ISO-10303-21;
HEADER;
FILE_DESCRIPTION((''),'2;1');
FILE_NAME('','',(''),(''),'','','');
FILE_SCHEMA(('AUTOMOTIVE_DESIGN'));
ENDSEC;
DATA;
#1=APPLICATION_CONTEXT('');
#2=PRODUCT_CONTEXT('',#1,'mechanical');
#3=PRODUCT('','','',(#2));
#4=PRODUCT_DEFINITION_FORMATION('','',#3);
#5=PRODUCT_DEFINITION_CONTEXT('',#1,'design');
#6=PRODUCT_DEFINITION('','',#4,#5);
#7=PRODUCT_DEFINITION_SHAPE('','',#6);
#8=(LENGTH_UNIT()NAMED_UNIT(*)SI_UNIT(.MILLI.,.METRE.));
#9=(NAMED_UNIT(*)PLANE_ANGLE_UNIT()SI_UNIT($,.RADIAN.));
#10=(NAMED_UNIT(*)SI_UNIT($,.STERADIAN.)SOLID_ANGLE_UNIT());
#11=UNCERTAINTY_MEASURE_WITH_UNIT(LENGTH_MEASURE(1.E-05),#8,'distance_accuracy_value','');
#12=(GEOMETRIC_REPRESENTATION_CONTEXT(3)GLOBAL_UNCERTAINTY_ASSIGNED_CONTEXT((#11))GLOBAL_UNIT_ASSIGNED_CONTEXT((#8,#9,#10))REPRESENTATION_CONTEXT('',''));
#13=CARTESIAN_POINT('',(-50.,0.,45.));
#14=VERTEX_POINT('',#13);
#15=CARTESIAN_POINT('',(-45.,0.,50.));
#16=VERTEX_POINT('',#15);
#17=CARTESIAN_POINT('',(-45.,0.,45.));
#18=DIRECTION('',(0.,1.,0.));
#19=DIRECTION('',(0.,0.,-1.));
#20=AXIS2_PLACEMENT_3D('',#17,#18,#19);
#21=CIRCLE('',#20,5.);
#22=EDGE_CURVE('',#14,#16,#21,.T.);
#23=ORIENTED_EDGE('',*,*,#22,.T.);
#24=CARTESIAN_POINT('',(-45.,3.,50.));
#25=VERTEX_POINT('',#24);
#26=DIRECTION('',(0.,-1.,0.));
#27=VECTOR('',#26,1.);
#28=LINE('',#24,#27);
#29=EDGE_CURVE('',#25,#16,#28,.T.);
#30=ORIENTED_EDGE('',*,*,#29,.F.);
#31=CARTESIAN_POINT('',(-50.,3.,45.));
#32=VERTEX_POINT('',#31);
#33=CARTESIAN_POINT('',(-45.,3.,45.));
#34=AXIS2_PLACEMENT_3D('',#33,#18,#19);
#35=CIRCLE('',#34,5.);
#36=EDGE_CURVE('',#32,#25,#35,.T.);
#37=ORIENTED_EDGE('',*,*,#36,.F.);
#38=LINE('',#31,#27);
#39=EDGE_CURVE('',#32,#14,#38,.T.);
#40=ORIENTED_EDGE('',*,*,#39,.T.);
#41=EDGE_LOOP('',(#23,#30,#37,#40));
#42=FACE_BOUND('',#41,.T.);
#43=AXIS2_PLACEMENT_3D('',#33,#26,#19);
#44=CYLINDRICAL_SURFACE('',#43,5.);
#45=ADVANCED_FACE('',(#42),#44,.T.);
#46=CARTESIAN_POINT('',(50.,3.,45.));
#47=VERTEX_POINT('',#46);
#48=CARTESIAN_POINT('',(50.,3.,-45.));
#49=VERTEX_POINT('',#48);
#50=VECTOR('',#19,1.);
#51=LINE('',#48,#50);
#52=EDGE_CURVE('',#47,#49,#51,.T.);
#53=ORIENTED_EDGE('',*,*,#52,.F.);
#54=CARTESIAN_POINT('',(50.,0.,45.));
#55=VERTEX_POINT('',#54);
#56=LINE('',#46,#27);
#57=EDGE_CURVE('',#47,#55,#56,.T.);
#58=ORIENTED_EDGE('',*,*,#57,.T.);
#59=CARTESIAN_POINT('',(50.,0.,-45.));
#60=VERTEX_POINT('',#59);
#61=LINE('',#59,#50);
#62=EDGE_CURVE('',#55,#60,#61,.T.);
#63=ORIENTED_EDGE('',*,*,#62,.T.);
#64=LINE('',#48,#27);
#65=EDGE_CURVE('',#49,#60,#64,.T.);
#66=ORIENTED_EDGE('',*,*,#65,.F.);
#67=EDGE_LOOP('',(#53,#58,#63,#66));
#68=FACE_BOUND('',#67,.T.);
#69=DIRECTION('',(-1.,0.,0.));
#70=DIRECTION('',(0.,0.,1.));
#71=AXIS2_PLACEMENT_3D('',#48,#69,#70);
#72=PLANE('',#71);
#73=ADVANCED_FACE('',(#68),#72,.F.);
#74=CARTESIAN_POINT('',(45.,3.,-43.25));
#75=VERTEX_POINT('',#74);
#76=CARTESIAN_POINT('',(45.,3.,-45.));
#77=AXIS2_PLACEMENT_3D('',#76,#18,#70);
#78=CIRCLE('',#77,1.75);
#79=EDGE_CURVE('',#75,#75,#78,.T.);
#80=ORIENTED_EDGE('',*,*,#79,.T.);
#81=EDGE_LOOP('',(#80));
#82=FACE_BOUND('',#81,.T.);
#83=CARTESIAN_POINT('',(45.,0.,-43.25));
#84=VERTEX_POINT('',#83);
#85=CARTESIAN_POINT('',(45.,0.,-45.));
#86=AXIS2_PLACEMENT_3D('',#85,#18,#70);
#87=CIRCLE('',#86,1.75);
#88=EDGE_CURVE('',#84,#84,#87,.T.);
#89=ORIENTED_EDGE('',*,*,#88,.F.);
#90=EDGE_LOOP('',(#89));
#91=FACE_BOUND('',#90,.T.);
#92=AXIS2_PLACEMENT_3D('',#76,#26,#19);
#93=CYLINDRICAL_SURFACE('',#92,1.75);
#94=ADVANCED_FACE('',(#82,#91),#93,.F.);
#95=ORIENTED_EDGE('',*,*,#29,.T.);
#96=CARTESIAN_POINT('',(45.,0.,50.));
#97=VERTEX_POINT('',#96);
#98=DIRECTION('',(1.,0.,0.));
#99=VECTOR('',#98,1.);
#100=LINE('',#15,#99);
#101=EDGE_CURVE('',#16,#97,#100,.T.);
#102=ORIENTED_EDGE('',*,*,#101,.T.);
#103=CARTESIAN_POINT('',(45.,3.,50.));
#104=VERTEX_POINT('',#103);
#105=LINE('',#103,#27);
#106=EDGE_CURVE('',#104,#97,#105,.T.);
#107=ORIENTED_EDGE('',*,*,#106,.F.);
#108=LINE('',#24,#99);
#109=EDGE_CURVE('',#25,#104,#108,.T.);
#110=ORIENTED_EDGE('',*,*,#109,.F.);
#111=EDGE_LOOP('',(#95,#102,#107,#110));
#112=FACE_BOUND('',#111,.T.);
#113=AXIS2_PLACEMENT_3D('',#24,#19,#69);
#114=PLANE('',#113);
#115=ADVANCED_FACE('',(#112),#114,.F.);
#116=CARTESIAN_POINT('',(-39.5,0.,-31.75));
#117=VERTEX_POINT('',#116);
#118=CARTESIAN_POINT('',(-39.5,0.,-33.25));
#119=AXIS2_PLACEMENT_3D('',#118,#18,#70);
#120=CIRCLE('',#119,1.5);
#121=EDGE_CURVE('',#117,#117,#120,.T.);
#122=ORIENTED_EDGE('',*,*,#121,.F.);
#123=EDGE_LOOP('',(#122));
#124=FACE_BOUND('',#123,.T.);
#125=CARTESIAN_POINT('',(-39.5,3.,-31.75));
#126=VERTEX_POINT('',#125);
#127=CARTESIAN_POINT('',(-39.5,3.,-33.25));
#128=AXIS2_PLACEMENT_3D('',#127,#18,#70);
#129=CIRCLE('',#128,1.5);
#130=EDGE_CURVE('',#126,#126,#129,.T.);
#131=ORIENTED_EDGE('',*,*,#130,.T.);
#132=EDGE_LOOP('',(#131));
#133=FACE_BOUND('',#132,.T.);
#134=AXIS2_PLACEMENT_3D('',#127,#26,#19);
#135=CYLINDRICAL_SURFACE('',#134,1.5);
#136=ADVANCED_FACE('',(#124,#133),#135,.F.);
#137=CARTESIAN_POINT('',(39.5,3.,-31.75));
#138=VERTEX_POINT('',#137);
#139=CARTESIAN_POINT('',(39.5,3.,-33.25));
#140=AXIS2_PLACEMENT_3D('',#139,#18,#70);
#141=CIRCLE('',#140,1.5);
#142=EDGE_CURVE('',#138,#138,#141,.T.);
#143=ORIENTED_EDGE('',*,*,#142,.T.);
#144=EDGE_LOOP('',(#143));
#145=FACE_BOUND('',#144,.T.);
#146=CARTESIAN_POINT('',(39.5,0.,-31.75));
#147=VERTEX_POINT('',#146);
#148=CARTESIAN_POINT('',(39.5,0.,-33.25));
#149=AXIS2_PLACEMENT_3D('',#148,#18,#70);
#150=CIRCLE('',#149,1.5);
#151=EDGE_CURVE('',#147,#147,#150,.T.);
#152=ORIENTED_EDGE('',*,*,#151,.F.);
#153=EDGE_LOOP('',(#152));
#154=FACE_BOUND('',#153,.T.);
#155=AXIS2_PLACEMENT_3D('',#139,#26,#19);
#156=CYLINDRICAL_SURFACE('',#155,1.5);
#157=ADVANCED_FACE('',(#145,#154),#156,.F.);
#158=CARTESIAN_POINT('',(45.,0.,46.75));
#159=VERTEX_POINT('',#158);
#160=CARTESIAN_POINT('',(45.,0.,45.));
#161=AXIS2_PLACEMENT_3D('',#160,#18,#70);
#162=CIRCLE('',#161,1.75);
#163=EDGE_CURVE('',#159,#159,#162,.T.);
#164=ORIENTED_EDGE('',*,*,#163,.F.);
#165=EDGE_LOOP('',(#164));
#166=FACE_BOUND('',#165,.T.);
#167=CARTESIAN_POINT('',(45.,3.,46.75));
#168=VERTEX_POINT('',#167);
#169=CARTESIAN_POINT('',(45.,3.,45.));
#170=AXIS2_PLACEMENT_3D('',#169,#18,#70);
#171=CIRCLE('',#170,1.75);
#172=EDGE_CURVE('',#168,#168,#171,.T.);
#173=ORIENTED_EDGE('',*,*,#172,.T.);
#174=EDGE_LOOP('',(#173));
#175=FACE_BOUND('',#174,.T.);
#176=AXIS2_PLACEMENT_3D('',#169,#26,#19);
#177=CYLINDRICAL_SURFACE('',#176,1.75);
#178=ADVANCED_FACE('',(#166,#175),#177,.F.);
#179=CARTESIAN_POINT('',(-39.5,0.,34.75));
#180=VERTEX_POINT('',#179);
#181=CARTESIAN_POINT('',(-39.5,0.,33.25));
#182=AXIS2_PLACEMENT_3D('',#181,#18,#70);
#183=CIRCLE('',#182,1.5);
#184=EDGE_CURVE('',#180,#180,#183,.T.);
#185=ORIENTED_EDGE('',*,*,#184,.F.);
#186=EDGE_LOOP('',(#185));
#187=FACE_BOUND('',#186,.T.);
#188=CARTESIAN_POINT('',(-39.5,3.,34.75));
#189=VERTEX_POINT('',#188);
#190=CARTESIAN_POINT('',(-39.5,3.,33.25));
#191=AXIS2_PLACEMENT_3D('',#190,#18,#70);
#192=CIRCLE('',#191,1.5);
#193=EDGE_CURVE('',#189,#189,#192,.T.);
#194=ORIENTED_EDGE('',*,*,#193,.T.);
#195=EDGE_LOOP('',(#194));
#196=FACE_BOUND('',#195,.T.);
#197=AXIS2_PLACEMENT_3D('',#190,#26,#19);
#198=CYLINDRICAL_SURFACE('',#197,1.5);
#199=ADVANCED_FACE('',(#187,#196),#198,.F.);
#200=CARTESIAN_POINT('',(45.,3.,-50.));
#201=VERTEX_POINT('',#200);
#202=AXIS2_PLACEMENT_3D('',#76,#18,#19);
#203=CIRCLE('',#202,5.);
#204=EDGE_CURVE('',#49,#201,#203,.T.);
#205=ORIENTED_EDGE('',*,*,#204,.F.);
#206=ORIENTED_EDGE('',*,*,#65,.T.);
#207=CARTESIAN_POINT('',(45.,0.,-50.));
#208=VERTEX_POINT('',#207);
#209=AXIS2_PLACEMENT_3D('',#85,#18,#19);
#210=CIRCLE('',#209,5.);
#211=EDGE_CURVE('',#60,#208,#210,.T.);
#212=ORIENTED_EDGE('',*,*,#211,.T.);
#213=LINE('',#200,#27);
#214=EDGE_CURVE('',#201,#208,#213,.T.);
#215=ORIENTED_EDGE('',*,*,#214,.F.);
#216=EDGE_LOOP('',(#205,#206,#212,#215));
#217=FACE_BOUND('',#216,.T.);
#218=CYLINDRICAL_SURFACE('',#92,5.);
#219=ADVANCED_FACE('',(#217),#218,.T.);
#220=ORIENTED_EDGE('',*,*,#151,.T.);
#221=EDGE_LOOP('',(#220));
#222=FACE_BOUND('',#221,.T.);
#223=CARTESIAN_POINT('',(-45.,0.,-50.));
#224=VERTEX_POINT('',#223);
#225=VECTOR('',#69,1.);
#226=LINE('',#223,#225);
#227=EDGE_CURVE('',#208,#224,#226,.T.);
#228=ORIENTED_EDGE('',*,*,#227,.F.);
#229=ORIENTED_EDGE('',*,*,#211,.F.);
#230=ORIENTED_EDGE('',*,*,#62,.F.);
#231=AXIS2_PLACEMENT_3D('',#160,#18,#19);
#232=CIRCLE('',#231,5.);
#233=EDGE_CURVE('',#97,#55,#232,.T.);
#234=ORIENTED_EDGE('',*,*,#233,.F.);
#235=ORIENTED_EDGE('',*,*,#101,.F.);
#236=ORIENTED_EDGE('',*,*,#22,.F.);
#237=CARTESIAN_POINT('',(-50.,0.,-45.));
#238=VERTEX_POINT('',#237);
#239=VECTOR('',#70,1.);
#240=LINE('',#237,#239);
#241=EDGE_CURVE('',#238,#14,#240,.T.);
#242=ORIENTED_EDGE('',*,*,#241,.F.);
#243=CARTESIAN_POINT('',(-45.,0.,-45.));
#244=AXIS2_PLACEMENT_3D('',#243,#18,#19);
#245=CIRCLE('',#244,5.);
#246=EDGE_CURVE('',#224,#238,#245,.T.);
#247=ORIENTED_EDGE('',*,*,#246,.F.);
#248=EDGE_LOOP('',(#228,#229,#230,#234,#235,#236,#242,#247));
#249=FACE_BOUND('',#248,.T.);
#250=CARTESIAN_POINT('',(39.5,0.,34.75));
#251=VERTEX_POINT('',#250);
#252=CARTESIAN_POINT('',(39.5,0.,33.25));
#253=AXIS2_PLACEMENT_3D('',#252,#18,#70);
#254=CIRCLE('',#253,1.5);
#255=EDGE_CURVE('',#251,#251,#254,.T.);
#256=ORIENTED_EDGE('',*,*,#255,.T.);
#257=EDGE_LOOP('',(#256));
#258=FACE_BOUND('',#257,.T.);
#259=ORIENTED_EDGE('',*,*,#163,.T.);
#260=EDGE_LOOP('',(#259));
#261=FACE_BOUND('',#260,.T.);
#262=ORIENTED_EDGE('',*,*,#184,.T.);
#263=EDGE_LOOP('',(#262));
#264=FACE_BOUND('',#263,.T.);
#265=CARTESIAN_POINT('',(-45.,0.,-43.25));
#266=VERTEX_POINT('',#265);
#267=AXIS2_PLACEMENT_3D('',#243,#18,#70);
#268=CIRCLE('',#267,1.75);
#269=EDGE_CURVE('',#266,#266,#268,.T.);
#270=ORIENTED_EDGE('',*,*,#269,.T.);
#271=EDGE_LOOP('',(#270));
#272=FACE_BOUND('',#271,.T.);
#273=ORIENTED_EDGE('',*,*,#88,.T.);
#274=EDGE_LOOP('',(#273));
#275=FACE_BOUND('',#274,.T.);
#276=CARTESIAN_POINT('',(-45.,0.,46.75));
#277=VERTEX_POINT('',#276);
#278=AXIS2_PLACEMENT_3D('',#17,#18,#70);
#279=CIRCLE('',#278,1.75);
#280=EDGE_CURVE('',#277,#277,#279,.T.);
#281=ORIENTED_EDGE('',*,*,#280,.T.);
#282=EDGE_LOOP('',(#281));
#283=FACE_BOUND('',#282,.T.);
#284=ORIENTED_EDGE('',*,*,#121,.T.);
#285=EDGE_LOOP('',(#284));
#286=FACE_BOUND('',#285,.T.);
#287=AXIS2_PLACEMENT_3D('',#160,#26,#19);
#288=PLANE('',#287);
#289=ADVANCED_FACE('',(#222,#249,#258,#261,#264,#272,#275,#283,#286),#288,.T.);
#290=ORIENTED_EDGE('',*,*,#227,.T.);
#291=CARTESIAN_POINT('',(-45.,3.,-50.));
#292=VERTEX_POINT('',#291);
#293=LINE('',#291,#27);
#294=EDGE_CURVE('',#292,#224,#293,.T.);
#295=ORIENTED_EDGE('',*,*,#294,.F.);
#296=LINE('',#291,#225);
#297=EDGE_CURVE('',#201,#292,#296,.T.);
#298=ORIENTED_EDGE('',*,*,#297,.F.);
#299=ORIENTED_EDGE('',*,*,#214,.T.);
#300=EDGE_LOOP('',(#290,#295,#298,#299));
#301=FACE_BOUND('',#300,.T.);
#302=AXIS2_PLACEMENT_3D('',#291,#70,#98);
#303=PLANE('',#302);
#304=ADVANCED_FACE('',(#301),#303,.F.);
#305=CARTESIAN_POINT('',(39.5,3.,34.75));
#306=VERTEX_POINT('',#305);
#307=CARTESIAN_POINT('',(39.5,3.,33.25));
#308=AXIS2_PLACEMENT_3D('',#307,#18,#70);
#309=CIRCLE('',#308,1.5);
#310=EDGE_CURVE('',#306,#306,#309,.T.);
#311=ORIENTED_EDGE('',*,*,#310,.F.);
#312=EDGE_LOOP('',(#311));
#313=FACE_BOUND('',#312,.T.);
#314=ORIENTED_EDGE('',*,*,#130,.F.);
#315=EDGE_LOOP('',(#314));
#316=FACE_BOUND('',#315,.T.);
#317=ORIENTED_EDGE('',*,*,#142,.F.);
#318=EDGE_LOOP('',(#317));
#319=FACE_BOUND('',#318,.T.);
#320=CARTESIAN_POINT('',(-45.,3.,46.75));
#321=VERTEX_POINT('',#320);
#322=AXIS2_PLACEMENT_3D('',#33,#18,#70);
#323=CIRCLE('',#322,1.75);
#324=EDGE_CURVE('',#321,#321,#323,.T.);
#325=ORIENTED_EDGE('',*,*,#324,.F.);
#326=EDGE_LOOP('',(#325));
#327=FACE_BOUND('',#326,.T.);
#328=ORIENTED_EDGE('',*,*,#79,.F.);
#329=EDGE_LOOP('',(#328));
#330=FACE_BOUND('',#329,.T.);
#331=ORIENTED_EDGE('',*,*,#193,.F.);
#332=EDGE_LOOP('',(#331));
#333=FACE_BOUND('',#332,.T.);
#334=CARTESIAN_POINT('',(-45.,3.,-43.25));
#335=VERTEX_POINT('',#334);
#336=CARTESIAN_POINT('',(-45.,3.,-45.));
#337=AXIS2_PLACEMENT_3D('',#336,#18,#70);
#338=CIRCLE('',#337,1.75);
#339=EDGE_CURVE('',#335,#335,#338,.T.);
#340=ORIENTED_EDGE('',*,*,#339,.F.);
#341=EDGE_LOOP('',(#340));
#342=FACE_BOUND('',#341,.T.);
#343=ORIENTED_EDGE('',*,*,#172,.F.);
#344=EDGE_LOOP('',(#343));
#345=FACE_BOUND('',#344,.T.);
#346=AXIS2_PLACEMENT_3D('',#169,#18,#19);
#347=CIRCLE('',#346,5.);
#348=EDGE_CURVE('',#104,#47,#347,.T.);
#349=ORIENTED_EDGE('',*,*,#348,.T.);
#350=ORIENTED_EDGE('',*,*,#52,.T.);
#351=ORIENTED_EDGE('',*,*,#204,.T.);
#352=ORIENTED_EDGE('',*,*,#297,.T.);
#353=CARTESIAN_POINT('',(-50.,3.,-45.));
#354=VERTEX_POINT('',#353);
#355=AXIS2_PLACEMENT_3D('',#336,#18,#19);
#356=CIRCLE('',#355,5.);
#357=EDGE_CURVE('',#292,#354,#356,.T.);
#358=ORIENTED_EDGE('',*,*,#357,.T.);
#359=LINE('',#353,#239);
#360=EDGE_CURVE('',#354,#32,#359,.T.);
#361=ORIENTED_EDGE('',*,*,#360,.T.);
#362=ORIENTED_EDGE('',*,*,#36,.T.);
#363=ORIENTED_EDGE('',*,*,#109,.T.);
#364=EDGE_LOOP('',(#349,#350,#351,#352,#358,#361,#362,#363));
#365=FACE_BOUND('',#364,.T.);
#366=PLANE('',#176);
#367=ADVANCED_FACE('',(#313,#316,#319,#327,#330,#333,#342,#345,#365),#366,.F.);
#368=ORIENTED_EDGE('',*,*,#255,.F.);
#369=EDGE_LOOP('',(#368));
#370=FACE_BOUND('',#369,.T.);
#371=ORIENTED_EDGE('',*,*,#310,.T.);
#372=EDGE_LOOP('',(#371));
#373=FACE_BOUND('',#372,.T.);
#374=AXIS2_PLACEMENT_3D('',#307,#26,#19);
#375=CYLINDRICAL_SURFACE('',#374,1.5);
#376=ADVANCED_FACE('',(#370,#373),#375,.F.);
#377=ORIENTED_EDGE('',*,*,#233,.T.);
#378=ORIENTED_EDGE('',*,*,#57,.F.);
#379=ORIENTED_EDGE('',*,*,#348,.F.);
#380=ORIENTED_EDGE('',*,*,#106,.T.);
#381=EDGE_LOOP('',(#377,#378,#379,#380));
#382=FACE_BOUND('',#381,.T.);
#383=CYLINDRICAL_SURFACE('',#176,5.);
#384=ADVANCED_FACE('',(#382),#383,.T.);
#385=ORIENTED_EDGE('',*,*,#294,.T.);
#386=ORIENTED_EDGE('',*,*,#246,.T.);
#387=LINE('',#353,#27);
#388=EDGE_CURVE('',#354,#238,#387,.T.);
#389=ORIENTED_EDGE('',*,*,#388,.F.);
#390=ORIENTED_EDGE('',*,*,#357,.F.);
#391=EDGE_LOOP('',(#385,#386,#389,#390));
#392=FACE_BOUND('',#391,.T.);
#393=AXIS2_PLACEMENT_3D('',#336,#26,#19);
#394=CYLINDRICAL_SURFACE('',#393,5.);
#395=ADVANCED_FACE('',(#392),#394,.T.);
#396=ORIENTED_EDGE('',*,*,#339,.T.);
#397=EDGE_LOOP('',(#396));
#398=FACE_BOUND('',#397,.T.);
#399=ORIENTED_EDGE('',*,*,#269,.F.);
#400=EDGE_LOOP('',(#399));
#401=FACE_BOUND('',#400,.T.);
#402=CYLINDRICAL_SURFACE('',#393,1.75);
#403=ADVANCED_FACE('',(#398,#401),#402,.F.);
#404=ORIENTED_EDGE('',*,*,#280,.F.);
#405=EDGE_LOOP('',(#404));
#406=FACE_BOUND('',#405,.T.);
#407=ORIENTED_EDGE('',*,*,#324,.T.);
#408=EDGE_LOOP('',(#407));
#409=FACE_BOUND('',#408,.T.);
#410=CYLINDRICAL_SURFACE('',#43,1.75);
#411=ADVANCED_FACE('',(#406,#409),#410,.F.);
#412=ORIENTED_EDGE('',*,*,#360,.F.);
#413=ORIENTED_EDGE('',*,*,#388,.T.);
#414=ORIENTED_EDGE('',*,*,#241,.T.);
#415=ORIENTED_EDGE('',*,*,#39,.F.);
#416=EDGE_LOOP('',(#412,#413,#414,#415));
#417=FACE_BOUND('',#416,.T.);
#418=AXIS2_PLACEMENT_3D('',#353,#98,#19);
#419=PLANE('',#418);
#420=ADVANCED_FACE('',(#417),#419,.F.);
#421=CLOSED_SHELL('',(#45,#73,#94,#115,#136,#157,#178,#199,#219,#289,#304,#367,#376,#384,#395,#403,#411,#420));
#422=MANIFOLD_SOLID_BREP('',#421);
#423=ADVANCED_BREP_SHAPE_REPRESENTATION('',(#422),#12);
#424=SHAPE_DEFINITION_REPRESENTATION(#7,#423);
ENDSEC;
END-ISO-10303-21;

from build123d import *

# Parameters (mm, degrees)
SKETCH_1_R      = 1.75
SKETCH_1_R_2    = 1.5
EXTRUDE_1_DEPTH = 3


with BuildPart() as part:
    # 草图1 → 凸台-拉伸1 (new body)
    with BuildSketch(Plane(origin=(0, 0, 0), x_dir=(1, 0, 0), z_dir=(0, 1, 0))):
        with BuildLine():
            Line((-45, 50), (45, 50))
            ThreePointArc((45, 50), (48.535533906, 48.535533906), (50, 45))
            Line((50, 45), (50, -45))
            ThreePointArc((50, -45), (48.535533906, -48.535533906), (45, -50))
            Line((45, -50), (-45, -50))
            ThreePointArc((-45, -50), (-48.535533906, -48.535533906), (-50, -45))
            Line((-50, -45), (-50, 45))
            ThreePointArc((-50, 45), (-48.535533906, 48.535533906), (-45, 50))
        make_face()
        with Locations(Location((-45, 45, 0), (0, 0, 270))):
            Circle(SKETCH_1_R, mode=Mode.SUBTRACT)
        with Locations(Location((45, 45, 0), (0, 0, 270))):
            Circle(SKETCH_1_R, mode=Mode.SUBTRACT)
        with Locations(Location((-45, -45, 0), (0, 0, 270))):
            Circle(SKETCH_1_R, mode=Mode.SUBTRACT)
        with Locations(Location((45, -45, 0), (0, 0, 270))):
            Circle(SKETCH_1_R, mode=Mode.SUBTRACT)
        with Locations(Location((-39.5, 33.25, 0), (0, 0, 270))):
            Circle(SKETCH_1_R_2, mode=Mode.SUBTRACT)
        with Locations(Location((39.5, 33.25, 0), (0, 0, 270))):
            Circle(SKETCH_1_R_2, mode=Mode.SUBTRACT)
        with Locations(Location((-39.5, -33.25, 0), (0, 0, 270))):
            Circle(SKETCH_1_R_2, mode=Mode.SUBTRACT)
        with Locations(Location((39.5, -33.25, 0), (0, 0, 270))):
            Circle(SKETCH_1_R_2, mode=Mode.SUBTRACT)
    extrude(amount=EXTRUDE_1_DEPTH)


solid = part.part
